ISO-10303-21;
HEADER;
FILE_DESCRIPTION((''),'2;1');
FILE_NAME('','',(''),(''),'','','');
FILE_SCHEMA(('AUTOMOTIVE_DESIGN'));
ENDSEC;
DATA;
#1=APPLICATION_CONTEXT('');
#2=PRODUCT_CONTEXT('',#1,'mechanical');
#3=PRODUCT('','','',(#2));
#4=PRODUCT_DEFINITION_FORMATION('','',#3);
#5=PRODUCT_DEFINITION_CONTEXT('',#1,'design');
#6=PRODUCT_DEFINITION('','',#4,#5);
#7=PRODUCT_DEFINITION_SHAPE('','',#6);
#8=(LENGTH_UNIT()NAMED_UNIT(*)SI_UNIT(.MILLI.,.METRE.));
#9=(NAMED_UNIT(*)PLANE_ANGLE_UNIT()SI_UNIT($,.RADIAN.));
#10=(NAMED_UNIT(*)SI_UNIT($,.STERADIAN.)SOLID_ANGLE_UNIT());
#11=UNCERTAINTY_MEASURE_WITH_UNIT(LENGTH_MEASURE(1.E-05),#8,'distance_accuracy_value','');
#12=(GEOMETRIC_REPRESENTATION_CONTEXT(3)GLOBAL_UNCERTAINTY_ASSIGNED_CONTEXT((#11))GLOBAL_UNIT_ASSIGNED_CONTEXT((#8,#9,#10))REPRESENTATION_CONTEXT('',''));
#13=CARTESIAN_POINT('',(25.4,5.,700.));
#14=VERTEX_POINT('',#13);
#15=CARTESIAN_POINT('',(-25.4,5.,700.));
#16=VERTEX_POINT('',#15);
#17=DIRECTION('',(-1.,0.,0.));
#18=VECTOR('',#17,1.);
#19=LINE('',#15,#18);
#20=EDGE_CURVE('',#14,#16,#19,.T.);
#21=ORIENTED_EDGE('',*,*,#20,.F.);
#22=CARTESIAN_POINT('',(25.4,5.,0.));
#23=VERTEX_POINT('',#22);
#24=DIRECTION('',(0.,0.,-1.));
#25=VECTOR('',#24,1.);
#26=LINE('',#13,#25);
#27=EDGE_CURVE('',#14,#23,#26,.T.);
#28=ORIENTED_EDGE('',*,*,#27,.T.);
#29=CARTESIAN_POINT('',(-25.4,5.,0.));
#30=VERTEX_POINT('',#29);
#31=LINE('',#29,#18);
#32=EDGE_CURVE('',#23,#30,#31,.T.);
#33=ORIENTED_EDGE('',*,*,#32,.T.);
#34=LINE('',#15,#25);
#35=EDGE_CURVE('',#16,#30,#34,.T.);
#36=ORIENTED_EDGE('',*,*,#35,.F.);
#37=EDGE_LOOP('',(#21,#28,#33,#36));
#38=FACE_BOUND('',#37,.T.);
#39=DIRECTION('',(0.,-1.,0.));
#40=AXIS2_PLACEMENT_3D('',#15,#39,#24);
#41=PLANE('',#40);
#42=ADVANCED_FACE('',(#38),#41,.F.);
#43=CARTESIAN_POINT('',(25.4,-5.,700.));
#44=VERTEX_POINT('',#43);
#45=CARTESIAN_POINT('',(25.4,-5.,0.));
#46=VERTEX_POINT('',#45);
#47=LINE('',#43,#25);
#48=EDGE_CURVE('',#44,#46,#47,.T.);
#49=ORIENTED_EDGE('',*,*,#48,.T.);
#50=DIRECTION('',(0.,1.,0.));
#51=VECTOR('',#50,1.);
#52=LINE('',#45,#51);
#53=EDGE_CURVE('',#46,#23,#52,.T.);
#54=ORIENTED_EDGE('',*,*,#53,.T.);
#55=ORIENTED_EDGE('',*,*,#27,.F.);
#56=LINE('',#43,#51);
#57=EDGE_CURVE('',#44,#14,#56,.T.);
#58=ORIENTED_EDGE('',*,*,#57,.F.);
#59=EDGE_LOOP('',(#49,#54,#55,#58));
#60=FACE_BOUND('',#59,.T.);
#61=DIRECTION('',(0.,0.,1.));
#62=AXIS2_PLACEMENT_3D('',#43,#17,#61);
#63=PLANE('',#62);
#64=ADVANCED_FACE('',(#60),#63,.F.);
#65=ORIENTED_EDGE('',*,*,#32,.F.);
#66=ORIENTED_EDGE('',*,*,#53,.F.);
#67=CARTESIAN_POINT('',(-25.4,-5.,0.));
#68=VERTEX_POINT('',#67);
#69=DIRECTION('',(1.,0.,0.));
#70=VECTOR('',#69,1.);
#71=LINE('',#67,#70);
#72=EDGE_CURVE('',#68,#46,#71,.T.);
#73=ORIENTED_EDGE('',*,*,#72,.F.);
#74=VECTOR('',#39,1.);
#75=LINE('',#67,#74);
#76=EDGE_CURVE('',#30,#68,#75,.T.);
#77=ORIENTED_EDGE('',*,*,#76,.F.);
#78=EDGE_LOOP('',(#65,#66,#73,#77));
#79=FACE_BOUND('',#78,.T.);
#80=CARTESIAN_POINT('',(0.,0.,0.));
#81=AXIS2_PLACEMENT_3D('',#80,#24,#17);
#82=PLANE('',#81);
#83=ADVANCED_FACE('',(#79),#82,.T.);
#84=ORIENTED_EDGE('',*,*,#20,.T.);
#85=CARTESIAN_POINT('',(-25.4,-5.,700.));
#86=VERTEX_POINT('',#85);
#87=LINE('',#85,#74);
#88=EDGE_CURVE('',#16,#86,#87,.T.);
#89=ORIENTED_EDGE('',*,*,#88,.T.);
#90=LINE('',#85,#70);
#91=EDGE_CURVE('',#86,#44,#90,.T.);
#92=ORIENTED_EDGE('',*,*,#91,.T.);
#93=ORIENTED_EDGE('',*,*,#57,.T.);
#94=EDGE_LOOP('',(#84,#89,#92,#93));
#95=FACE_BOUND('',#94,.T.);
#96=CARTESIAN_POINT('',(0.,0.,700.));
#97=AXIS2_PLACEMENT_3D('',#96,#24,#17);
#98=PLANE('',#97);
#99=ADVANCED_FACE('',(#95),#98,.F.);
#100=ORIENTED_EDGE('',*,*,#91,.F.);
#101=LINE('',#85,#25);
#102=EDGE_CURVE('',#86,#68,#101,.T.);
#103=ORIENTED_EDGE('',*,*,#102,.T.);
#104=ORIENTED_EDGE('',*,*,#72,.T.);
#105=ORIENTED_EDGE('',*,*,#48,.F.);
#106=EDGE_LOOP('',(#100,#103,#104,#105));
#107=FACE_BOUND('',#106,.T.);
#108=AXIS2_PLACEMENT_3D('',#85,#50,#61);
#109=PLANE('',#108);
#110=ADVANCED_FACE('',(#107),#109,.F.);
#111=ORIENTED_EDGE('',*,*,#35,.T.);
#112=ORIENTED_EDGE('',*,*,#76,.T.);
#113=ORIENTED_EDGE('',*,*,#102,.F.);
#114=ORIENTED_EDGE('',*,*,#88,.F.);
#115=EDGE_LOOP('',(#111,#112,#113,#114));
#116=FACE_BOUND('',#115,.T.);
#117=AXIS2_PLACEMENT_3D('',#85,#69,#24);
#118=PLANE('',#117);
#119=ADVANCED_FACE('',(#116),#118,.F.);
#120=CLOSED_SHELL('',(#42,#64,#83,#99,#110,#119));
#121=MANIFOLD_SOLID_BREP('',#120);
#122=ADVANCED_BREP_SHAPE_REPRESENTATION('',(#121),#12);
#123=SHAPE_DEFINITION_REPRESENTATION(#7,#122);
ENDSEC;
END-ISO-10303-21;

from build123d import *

# Parameters (mm, degrees)
CROQUIS1_W              = 50.8
CROQUIS1_H              = 10
SALIENTE_EXTRUIR1_DEPTH = 700


with BuildPart() as part:
    # Croquis1 → Saliente-Extruir1 (new body)
    with BuildSketch(Plane.XY):
        Rectangle(CROQUIS1_W, CROQUIS1_H)
    extrude(amount=SALIENTE_EXTRUIR1_DEPTH)


solid = part.part
